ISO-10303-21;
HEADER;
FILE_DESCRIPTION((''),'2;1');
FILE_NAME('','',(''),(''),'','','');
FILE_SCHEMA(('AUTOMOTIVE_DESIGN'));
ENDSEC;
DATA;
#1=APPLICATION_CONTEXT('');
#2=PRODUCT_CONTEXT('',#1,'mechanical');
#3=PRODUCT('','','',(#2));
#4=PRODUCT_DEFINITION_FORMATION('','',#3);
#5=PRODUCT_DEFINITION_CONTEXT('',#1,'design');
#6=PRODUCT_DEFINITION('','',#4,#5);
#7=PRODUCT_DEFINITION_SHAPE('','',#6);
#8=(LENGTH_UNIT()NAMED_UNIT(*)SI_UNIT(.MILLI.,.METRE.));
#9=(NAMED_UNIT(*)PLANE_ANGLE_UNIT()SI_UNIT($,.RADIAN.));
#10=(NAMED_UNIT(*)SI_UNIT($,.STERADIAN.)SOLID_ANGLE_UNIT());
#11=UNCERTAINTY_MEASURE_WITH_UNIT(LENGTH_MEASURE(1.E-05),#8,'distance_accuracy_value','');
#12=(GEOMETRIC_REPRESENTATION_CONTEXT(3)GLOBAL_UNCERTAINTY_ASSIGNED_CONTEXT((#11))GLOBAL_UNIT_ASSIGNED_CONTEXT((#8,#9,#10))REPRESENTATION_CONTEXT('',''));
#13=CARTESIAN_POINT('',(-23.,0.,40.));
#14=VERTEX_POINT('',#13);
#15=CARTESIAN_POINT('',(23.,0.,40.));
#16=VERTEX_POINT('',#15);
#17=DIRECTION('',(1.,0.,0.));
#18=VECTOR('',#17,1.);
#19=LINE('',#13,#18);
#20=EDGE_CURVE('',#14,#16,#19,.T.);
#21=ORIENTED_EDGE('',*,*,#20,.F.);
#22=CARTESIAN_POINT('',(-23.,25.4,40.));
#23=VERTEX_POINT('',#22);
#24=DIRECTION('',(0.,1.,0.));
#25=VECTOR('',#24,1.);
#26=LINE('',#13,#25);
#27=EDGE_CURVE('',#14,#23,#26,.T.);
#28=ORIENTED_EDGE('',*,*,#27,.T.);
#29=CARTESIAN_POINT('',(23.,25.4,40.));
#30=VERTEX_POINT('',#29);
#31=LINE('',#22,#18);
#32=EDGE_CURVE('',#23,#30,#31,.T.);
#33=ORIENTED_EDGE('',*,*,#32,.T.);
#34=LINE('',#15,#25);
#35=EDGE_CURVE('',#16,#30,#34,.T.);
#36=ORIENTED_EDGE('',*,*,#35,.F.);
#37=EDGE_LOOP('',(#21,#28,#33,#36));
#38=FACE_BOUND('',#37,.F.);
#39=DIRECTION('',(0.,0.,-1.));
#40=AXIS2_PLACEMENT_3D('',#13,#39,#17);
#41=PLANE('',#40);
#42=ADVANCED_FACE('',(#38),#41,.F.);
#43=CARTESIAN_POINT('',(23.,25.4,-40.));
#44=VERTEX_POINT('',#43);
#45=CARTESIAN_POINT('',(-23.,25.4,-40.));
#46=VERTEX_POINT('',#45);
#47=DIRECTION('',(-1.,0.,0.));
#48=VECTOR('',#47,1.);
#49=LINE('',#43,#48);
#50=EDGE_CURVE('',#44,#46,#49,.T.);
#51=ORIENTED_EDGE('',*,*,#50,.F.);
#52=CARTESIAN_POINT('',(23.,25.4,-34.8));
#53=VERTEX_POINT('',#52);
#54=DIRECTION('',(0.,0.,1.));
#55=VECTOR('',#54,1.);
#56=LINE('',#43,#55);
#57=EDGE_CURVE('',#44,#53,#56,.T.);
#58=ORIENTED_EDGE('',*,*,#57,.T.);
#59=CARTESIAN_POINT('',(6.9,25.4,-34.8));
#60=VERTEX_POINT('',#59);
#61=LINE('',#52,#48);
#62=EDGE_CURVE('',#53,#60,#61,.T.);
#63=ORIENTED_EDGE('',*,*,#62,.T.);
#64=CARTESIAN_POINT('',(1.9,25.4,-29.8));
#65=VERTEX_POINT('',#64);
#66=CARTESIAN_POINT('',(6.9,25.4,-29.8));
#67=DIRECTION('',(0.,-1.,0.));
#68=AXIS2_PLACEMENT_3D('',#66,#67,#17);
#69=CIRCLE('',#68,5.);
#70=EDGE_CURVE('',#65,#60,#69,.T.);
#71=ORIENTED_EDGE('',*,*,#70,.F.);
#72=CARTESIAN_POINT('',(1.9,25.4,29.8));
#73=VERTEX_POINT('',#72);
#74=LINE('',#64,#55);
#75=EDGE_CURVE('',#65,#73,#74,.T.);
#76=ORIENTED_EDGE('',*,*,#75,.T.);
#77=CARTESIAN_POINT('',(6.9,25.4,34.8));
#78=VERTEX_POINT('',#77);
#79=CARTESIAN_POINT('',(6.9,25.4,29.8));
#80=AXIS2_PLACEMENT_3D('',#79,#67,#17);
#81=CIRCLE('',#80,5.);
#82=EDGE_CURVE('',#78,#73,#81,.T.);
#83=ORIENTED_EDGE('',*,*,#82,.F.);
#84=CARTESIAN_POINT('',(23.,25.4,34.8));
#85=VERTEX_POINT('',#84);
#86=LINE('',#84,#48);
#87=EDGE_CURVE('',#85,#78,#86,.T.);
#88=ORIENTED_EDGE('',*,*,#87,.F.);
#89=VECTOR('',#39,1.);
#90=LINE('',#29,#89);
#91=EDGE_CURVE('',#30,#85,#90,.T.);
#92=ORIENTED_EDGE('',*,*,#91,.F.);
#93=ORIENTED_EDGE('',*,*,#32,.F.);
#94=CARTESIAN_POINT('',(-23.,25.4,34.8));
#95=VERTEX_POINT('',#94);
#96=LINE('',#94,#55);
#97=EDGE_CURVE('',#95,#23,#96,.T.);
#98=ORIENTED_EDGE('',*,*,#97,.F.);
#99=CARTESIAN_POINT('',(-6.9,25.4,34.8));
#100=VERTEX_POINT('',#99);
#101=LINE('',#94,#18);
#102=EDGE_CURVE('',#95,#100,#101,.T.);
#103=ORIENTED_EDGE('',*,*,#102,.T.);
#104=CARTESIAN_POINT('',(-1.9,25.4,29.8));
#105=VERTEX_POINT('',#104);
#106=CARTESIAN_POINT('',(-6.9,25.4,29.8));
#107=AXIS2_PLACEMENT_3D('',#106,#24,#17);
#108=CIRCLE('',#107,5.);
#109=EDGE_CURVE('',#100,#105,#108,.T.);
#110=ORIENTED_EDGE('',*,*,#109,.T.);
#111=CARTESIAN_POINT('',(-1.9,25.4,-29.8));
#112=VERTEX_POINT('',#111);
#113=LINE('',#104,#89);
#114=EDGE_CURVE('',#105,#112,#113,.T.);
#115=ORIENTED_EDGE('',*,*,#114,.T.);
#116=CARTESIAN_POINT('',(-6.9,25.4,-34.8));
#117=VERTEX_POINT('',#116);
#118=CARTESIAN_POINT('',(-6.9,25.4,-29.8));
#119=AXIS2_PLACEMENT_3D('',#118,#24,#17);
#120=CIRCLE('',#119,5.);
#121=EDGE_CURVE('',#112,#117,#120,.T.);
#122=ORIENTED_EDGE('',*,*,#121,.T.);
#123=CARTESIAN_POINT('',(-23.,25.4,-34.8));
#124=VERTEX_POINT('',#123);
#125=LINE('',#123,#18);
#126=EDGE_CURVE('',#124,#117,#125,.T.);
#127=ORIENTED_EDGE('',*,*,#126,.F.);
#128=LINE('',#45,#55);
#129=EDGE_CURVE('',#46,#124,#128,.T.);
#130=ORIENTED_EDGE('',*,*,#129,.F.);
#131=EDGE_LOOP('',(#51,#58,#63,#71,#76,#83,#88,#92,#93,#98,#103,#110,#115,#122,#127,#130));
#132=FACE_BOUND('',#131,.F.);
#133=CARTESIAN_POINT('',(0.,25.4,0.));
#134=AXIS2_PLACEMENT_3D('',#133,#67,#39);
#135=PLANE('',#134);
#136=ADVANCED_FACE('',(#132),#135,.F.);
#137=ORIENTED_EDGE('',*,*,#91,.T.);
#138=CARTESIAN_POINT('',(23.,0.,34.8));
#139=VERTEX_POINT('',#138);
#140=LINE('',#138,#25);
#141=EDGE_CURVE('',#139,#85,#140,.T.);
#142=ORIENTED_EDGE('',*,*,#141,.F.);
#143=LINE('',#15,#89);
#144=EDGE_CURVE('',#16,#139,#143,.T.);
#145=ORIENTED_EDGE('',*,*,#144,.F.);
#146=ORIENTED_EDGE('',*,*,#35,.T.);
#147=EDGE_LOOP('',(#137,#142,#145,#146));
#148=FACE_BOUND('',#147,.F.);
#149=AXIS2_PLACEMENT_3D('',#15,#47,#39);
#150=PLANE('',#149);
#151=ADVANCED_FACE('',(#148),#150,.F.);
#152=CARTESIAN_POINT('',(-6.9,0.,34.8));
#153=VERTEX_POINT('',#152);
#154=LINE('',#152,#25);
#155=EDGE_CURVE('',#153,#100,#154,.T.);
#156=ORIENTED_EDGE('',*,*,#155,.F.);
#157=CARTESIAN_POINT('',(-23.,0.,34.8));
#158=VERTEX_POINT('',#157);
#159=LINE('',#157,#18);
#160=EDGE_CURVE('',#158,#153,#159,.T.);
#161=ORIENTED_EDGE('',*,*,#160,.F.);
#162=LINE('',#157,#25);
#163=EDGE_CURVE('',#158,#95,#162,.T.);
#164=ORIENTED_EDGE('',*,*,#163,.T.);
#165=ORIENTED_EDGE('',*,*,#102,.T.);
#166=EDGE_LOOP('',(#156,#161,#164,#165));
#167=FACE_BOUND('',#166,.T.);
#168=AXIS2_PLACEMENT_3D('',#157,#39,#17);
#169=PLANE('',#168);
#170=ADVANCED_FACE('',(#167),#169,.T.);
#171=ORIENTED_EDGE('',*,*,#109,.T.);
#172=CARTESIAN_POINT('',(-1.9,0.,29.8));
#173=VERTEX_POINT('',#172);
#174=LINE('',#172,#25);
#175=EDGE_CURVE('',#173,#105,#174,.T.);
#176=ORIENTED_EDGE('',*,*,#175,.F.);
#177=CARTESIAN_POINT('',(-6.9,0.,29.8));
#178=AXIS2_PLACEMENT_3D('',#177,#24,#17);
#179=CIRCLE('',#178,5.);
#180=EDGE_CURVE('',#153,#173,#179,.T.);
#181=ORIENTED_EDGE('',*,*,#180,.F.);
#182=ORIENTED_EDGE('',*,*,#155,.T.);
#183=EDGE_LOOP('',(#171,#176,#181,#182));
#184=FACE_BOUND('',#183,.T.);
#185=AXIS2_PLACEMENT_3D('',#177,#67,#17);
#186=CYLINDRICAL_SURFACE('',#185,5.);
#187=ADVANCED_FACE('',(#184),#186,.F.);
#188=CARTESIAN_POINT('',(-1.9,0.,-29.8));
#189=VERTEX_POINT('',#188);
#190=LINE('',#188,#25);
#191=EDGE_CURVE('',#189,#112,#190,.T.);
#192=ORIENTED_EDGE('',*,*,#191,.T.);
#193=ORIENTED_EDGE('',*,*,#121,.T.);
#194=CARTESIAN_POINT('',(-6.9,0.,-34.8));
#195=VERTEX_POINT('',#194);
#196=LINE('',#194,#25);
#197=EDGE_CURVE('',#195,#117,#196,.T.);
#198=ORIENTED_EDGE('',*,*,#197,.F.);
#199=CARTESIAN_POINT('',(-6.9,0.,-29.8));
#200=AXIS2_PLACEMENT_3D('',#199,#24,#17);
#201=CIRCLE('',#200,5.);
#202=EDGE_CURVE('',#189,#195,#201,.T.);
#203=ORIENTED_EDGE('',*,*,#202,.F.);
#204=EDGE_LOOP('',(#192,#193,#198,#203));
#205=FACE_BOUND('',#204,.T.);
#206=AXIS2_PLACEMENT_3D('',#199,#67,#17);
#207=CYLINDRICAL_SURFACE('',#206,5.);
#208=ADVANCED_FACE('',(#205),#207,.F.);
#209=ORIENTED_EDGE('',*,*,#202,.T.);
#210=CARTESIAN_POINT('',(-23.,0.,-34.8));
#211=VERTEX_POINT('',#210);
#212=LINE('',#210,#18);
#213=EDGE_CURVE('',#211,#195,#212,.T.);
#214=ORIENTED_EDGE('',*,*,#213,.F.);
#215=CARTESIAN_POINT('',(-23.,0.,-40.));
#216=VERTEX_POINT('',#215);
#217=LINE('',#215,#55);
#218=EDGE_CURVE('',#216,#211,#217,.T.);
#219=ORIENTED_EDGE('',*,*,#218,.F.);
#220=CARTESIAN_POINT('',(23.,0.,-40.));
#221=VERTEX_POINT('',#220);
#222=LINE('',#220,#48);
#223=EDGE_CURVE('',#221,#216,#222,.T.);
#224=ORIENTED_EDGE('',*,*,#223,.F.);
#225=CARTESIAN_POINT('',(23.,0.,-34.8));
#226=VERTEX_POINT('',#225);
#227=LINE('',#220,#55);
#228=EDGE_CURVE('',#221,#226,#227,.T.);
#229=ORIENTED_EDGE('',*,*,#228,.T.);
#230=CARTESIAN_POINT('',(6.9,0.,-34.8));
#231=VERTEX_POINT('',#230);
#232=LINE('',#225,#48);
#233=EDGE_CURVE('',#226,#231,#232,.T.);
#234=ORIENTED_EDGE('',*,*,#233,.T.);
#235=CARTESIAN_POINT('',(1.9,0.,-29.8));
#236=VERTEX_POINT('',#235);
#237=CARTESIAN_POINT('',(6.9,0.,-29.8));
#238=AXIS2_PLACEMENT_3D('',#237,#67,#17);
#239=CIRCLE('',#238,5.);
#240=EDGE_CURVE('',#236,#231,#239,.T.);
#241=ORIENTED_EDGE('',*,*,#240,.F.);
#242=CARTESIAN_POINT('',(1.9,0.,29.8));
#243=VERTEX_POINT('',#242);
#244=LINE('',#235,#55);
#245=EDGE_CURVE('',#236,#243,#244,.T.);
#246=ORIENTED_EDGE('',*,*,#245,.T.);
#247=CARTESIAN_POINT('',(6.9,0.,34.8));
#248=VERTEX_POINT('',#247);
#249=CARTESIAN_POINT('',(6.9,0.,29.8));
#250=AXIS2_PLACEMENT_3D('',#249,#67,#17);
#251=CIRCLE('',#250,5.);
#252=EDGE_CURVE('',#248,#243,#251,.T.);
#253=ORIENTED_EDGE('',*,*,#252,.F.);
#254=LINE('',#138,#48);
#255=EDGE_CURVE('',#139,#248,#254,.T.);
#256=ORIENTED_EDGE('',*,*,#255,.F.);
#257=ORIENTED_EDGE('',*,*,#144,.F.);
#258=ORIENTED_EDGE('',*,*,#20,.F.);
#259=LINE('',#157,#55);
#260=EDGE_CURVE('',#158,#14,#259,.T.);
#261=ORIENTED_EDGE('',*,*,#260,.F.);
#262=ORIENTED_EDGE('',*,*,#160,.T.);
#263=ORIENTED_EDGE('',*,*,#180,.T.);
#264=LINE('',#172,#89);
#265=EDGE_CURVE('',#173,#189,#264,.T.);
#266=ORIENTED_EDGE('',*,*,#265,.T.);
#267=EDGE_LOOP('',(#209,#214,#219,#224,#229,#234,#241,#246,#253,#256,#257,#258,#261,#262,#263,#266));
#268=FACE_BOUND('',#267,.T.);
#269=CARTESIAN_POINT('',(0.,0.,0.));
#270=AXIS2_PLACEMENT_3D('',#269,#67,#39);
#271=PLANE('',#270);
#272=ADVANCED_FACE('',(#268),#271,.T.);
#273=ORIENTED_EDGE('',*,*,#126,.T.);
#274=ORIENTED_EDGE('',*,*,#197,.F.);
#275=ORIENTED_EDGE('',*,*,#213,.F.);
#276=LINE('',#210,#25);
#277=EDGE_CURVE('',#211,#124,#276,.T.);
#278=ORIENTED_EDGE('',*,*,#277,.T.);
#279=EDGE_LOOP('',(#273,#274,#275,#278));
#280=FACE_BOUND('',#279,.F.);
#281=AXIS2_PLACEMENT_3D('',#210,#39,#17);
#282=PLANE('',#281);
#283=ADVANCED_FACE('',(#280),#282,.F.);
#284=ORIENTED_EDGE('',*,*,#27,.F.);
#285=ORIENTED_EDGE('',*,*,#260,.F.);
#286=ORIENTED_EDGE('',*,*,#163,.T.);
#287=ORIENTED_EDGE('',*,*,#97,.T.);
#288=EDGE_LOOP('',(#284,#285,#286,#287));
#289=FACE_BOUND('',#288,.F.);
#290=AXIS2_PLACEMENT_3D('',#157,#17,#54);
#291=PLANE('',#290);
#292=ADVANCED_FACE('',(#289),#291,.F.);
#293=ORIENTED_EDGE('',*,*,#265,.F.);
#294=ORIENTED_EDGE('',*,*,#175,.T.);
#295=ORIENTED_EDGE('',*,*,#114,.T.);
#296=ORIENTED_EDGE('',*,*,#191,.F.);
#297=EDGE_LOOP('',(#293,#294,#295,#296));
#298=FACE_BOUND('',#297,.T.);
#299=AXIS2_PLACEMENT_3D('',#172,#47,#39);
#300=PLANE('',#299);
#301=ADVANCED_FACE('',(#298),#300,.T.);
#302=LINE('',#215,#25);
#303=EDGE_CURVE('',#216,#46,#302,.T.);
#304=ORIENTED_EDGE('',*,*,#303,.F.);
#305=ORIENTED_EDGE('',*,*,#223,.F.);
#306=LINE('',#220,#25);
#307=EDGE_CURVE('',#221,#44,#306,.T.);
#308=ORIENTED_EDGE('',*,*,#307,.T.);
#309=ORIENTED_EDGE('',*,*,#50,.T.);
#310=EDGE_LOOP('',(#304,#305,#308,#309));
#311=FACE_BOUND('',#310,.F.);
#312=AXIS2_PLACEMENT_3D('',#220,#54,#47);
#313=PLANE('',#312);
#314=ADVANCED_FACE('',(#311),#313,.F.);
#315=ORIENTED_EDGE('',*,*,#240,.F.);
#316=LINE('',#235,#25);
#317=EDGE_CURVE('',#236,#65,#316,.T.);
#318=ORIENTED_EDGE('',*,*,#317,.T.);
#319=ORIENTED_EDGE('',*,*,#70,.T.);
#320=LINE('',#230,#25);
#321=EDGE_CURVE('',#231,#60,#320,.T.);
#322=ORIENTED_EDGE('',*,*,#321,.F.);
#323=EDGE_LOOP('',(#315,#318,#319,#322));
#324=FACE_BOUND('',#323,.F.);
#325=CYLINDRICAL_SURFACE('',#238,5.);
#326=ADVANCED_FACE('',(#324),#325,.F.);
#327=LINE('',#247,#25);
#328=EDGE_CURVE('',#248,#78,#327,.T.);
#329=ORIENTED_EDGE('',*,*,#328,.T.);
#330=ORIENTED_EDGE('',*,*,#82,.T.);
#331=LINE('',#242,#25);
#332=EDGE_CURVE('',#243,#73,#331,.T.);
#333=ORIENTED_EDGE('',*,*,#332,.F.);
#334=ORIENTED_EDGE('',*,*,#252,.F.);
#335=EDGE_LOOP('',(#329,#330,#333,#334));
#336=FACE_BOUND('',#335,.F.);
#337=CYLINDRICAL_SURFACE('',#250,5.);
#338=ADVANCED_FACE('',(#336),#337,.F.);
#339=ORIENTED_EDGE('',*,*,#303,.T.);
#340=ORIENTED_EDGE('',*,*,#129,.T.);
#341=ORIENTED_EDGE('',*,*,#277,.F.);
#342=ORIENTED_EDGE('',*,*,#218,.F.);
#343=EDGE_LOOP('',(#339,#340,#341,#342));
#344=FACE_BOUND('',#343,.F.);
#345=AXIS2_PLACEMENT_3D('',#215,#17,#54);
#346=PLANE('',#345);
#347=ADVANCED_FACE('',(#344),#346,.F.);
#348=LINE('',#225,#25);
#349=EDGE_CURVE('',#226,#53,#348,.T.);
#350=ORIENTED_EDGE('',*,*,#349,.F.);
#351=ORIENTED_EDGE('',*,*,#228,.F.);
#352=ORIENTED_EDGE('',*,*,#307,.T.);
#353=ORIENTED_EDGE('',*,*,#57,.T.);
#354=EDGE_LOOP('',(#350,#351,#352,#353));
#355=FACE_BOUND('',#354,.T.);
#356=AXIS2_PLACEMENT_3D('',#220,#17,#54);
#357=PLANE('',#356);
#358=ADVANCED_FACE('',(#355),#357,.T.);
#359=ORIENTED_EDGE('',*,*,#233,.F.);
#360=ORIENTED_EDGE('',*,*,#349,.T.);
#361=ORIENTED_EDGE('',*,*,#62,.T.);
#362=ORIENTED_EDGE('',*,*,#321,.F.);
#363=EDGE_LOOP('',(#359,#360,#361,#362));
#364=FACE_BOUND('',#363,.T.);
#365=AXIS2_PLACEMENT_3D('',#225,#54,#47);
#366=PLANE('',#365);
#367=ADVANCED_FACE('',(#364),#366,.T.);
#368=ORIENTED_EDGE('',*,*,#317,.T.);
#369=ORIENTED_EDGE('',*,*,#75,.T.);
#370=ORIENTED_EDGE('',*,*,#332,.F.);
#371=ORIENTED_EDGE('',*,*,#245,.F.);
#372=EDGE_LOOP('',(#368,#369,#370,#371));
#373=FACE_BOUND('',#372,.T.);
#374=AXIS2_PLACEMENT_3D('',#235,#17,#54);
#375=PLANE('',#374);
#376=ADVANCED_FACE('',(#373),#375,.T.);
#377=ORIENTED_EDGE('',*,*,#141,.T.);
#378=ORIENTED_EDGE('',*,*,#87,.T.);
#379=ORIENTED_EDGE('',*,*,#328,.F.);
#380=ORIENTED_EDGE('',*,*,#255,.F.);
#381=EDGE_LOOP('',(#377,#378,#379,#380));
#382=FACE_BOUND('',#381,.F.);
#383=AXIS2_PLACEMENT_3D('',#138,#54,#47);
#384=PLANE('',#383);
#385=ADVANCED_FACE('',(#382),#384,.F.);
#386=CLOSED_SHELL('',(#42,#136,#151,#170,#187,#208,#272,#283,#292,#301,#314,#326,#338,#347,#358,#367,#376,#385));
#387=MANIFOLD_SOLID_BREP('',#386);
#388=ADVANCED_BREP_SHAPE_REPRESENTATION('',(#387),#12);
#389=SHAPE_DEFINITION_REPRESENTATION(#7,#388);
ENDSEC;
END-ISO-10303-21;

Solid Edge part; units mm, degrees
sketch "Sketch1" plane through (0, 0, 0) normal (0, -1, 0) x (1, 0, 0)
  line L0 (-1.9, 29.8) -> (-1.9, -29.8)
  arc A0 (-1.9, -29.8) -> (-6.9, -34.8) centre (-6.9, -29.8) cw
  line L1 (-23, -34.8) -> (-6.9, -34.8)
  line L2 (-23, -40) -> (-23, -34.8)
  line L3 (23, -40) -> (-23, -40)
  line L4 (23, -40) -> (23, -34.8)
  line L5 (23, -34.8) -> (6.9, -34.8)
  arc A1 (1.9, -29.8) -> (6.9, -34.8) centre (6.9, -29.8) ccw
  line L6 (1.9, -29.8) -> (1.9, 29.8)
  arc A2 (6.9, 34.8) -> (1.9, 29.8) centre (6.9, 29.8) ccw
  line L7 (23, 34.8) -> (6.9, 34.8)
  line L8 (23, 40) -> (23, 34.8)
  line L9 (-23, 40) -> (23, 40)
  line L10 (-23, 34.8) -> (-23, 40)
  line L11 (-23, 34.8) -> (-6.9, 34.8)
  arc A3 (-6.9, 34.8) -> (-1.9, 29.8) centre (-6.9, 29.8) cw
  dimension "D1" = 23
  dimension "D2" = 23
extrude "Protrusion1" add sketch "Sketch1" against normal blind 25.4
